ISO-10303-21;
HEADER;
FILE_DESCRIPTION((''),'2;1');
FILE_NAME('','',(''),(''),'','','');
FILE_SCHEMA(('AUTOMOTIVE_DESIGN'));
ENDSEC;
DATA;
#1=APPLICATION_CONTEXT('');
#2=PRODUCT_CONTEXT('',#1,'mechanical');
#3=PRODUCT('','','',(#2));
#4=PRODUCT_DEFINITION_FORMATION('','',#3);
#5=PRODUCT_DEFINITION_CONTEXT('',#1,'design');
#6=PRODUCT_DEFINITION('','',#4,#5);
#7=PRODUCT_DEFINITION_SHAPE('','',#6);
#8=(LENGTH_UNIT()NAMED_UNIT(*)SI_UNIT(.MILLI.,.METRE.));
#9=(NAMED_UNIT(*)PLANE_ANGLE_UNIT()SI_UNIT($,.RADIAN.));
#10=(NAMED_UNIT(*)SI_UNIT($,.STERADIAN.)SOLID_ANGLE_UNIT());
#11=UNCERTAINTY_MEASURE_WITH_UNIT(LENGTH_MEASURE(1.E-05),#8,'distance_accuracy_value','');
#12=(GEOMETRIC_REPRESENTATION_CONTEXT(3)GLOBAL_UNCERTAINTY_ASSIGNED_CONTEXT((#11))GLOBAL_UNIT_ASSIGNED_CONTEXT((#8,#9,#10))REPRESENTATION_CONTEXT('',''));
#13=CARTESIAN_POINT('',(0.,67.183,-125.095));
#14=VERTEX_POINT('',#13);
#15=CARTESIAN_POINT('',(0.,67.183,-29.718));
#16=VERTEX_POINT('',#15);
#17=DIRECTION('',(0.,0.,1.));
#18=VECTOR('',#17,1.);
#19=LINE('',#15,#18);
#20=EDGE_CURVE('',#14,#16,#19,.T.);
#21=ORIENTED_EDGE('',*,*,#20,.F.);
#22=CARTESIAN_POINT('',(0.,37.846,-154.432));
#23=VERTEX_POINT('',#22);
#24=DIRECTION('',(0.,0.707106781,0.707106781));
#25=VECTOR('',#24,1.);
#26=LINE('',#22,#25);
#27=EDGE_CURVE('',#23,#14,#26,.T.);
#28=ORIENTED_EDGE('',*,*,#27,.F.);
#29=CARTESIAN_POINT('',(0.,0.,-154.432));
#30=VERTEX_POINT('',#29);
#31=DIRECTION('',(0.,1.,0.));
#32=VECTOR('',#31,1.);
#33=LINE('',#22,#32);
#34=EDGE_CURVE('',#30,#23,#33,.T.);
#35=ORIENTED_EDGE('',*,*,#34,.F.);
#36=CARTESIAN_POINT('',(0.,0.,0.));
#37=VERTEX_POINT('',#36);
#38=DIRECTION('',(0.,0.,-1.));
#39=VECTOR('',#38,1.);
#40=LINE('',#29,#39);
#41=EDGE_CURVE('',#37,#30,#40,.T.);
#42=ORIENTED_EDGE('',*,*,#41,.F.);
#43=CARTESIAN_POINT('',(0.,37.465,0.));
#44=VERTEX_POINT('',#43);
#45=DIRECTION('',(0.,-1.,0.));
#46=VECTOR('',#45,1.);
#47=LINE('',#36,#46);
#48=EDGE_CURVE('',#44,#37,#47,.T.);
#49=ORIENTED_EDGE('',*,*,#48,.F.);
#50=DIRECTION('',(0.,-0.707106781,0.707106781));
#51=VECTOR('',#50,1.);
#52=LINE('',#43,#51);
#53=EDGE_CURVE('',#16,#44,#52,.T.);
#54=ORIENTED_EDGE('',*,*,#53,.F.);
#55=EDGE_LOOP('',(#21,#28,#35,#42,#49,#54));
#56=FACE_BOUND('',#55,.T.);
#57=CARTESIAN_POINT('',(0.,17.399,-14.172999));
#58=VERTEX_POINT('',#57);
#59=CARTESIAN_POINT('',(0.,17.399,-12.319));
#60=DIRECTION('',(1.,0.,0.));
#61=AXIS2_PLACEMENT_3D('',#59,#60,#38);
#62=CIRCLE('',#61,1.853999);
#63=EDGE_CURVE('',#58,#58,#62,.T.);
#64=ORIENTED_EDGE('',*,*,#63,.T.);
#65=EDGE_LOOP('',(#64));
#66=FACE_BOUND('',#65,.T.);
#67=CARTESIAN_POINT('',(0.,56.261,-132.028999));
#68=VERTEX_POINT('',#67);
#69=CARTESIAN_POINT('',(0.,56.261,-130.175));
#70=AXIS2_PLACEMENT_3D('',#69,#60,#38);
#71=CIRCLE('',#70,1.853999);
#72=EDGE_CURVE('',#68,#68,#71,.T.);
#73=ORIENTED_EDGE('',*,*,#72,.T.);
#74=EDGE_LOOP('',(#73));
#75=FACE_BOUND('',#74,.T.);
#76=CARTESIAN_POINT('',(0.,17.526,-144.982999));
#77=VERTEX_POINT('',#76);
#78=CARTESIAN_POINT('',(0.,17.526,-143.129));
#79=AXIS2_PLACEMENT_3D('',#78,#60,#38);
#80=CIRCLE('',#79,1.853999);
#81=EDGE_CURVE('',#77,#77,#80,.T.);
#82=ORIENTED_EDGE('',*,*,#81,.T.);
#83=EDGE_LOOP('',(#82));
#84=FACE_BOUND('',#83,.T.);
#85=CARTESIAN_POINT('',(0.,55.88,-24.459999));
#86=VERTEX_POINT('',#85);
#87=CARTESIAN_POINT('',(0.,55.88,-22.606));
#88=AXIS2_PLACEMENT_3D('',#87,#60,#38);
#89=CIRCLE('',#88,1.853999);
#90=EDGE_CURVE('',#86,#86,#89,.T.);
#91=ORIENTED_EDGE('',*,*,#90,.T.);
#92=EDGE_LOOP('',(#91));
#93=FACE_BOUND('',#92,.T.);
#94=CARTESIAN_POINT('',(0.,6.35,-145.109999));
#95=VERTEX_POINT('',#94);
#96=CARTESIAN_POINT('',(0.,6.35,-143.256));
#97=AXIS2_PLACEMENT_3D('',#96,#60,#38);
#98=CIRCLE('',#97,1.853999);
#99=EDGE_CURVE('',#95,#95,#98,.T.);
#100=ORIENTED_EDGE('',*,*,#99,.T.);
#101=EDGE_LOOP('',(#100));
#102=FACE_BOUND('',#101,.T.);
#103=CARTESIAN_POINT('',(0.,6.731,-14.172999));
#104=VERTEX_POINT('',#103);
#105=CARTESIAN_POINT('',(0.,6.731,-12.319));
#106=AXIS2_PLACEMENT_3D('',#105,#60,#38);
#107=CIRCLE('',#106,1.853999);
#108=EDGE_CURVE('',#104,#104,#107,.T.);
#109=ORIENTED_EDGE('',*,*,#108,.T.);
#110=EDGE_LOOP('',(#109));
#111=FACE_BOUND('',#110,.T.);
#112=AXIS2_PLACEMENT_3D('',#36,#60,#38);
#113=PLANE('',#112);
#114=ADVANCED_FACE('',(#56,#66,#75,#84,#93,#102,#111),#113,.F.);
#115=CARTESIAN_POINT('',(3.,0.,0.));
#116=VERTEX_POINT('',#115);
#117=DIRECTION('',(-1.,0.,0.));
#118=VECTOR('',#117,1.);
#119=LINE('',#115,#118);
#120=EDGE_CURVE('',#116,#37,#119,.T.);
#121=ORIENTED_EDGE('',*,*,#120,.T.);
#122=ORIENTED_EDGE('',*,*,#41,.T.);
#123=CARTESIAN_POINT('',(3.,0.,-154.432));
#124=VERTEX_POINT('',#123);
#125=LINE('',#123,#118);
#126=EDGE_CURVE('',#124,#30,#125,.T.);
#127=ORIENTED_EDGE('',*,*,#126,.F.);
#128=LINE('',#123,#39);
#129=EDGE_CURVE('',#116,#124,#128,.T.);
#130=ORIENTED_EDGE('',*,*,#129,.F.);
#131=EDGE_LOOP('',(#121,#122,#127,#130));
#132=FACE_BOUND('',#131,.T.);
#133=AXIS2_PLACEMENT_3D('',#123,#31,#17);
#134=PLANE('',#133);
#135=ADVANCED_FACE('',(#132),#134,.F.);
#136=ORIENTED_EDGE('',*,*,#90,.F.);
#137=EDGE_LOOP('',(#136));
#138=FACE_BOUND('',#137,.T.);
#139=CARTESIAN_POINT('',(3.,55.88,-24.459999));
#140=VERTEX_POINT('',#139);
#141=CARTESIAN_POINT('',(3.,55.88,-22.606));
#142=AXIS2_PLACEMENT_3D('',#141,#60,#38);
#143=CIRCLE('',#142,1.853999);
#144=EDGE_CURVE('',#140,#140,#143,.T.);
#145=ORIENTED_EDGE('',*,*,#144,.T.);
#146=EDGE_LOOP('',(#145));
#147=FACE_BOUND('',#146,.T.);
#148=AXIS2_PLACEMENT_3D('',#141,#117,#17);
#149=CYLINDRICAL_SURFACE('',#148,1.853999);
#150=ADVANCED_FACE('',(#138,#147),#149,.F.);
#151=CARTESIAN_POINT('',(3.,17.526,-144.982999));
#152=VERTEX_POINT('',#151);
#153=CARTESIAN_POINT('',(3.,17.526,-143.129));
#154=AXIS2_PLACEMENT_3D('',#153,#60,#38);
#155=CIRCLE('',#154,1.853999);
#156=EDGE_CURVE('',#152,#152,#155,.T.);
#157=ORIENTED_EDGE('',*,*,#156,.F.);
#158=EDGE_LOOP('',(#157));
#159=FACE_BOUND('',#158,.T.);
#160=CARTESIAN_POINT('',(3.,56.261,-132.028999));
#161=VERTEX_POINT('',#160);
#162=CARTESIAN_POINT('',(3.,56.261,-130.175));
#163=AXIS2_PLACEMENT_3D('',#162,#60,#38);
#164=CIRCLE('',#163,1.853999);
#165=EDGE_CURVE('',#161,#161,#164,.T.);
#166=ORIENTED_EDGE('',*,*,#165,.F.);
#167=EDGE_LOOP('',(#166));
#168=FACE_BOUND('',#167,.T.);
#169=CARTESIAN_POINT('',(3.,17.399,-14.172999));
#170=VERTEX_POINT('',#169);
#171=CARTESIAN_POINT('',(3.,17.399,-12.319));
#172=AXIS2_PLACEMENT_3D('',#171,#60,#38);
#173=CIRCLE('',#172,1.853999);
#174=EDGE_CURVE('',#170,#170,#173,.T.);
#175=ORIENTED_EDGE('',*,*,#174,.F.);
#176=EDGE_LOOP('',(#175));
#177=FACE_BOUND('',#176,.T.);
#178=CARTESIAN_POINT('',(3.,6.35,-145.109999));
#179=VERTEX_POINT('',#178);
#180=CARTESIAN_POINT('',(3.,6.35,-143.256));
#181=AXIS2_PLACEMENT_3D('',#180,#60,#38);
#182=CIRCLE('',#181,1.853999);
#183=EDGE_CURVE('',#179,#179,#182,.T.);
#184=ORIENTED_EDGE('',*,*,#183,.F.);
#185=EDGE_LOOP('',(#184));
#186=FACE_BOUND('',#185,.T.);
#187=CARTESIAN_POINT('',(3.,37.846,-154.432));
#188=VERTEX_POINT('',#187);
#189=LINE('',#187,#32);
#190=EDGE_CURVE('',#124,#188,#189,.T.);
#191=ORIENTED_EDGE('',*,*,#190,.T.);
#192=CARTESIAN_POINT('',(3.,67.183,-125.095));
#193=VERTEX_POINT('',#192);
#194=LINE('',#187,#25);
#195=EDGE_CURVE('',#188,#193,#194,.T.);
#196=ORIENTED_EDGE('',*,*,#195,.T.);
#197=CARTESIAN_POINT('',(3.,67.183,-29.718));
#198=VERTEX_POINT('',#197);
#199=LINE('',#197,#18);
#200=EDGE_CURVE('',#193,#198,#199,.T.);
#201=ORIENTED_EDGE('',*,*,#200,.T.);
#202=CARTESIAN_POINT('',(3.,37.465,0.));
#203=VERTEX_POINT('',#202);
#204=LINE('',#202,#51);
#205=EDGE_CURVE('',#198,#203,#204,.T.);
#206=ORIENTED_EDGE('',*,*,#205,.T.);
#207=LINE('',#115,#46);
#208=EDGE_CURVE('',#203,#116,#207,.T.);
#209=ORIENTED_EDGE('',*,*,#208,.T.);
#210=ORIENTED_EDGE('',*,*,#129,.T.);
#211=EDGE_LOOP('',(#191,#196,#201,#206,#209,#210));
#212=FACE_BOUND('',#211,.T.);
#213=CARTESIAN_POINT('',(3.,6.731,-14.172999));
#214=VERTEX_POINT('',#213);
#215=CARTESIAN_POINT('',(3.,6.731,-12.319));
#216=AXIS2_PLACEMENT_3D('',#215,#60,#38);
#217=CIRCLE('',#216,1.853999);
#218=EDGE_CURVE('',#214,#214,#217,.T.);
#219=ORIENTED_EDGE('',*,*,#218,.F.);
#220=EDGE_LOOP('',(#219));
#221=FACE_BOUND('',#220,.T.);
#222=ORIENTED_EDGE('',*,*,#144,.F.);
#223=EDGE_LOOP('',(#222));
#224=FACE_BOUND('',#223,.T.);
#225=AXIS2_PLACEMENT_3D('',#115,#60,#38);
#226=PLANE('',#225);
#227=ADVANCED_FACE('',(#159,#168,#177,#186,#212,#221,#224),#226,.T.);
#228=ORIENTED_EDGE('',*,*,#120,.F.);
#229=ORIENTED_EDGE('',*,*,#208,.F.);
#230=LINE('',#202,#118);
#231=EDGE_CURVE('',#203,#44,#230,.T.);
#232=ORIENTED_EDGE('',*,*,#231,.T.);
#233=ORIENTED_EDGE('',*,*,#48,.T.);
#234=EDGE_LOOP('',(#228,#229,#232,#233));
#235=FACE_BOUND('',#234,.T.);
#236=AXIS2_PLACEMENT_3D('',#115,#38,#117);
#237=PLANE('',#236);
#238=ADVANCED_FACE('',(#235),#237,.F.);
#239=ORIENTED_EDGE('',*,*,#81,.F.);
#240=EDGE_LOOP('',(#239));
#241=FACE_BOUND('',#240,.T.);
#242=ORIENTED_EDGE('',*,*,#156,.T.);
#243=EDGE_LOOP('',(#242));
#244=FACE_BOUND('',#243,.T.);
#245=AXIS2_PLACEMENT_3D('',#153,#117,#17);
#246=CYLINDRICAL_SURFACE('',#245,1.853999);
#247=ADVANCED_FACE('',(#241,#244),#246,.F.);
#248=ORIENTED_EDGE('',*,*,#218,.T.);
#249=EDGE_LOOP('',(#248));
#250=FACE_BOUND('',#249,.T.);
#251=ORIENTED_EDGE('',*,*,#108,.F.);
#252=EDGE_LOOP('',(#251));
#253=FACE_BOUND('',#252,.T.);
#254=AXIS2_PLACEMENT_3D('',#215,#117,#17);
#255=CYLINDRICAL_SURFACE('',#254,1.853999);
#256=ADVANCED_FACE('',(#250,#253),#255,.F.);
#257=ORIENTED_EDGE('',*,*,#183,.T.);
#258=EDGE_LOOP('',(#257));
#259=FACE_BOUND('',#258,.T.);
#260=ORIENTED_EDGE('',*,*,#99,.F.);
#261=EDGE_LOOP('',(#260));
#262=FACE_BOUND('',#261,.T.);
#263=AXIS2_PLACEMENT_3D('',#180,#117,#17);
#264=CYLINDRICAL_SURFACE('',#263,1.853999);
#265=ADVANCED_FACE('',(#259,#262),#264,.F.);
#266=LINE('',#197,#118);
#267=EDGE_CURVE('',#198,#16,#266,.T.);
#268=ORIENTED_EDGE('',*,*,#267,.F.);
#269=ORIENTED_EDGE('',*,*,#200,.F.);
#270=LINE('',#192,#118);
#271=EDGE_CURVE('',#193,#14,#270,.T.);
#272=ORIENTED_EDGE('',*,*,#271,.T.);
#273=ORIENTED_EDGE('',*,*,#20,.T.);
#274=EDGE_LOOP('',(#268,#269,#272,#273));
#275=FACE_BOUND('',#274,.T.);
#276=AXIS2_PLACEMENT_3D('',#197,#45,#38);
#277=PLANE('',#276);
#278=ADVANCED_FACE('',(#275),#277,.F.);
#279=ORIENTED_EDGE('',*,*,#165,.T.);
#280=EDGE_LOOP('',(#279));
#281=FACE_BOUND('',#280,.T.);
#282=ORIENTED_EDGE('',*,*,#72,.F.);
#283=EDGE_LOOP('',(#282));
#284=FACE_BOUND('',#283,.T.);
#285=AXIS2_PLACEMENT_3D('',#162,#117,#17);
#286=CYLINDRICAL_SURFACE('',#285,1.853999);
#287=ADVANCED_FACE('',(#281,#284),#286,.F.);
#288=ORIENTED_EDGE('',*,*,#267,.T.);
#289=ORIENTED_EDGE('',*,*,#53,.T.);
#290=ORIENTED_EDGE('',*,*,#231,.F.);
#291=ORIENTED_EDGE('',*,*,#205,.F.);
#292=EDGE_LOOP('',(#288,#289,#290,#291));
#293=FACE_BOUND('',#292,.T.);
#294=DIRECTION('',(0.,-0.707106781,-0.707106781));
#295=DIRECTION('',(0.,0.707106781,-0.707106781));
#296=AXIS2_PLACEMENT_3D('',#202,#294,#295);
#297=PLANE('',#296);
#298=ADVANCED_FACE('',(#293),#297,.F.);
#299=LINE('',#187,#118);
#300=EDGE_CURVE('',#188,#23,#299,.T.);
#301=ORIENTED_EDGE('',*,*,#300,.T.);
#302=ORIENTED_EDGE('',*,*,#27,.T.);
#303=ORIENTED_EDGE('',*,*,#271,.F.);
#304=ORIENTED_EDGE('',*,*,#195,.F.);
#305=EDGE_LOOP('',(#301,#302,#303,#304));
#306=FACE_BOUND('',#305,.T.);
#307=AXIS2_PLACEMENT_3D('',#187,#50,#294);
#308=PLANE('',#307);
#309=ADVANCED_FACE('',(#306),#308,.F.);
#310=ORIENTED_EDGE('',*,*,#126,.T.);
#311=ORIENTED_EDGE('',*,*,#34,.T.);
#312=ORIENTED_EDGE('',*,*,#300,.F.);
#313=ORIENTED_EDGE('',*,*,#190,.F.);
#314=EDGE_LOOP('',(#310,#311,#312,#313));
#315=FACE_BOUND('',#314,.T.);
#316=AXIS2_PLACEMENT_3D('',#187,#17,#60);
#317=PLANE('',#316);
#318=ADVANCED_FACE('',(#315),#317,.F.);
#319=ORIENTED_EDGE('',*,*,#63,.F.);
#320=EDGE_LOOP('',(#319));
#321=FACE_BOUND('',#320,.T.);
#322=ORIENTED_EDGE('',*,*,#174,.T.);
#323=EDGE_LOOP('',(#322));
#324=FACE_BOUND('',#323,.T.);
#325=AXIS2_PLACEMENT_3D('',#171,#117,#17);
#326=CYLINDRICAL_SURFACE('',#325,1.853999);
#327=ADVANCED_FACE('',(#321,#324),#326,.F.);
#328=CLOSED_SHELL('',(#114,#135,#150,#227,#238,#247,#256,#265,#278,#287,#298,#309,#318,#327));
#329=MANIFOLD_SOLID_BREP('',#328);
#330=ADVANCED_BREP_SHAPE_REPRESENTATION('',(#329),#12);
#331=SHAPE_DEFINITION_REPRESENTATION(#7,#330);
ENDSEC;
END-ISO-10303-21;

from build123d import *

# Parameters (mm, degrees)
SKETCH1_R           = 1.85399934
BOSS_EXTRUDE1_DEPTH = 3


with BuildPart() as part:
    # Sketch1 → Boss-Extrude1 (new body)
    with BuildSketch(Plane(origin=(0, 0, 0), x_dir=(0, 0, -1), z_dir=(1, 0, 0))):
        Polygon((0, 0), (0, 37.465), (29.718, 67.183), (125.095, 67.183), (154.432, 37.846), (154.432, 0), align=None)
        with Locations((12.319, 17.399)):
            Circle(SKETCH1_R, mode=Mode.SUBTRACT)
        with Locations((12.319, 6.731)):
            Circle(SKETCH1_R, mode=Mode.SUBTRACT)
        with Locations((22.606, 55.88)):
            Circle(SKETCH1_R, mode=Mode.SUBTRACT)
        with Locations((130.175, 56.261)):
            Circle(SKETCH1_R, mode=Mode.SUBTRACT)
        with Locations((143.256, 6.35)):
            Circle(SKETCH1_R, mode=Mode.SUBTRACT)
        with Locations((143.129, 17.526)):
            Circle(SKETCH1_R, mode=Mode.SUBTRACT)
    extrude(amount=BOSS_EXTRUDE1_DEPTH)


solid = part.part
